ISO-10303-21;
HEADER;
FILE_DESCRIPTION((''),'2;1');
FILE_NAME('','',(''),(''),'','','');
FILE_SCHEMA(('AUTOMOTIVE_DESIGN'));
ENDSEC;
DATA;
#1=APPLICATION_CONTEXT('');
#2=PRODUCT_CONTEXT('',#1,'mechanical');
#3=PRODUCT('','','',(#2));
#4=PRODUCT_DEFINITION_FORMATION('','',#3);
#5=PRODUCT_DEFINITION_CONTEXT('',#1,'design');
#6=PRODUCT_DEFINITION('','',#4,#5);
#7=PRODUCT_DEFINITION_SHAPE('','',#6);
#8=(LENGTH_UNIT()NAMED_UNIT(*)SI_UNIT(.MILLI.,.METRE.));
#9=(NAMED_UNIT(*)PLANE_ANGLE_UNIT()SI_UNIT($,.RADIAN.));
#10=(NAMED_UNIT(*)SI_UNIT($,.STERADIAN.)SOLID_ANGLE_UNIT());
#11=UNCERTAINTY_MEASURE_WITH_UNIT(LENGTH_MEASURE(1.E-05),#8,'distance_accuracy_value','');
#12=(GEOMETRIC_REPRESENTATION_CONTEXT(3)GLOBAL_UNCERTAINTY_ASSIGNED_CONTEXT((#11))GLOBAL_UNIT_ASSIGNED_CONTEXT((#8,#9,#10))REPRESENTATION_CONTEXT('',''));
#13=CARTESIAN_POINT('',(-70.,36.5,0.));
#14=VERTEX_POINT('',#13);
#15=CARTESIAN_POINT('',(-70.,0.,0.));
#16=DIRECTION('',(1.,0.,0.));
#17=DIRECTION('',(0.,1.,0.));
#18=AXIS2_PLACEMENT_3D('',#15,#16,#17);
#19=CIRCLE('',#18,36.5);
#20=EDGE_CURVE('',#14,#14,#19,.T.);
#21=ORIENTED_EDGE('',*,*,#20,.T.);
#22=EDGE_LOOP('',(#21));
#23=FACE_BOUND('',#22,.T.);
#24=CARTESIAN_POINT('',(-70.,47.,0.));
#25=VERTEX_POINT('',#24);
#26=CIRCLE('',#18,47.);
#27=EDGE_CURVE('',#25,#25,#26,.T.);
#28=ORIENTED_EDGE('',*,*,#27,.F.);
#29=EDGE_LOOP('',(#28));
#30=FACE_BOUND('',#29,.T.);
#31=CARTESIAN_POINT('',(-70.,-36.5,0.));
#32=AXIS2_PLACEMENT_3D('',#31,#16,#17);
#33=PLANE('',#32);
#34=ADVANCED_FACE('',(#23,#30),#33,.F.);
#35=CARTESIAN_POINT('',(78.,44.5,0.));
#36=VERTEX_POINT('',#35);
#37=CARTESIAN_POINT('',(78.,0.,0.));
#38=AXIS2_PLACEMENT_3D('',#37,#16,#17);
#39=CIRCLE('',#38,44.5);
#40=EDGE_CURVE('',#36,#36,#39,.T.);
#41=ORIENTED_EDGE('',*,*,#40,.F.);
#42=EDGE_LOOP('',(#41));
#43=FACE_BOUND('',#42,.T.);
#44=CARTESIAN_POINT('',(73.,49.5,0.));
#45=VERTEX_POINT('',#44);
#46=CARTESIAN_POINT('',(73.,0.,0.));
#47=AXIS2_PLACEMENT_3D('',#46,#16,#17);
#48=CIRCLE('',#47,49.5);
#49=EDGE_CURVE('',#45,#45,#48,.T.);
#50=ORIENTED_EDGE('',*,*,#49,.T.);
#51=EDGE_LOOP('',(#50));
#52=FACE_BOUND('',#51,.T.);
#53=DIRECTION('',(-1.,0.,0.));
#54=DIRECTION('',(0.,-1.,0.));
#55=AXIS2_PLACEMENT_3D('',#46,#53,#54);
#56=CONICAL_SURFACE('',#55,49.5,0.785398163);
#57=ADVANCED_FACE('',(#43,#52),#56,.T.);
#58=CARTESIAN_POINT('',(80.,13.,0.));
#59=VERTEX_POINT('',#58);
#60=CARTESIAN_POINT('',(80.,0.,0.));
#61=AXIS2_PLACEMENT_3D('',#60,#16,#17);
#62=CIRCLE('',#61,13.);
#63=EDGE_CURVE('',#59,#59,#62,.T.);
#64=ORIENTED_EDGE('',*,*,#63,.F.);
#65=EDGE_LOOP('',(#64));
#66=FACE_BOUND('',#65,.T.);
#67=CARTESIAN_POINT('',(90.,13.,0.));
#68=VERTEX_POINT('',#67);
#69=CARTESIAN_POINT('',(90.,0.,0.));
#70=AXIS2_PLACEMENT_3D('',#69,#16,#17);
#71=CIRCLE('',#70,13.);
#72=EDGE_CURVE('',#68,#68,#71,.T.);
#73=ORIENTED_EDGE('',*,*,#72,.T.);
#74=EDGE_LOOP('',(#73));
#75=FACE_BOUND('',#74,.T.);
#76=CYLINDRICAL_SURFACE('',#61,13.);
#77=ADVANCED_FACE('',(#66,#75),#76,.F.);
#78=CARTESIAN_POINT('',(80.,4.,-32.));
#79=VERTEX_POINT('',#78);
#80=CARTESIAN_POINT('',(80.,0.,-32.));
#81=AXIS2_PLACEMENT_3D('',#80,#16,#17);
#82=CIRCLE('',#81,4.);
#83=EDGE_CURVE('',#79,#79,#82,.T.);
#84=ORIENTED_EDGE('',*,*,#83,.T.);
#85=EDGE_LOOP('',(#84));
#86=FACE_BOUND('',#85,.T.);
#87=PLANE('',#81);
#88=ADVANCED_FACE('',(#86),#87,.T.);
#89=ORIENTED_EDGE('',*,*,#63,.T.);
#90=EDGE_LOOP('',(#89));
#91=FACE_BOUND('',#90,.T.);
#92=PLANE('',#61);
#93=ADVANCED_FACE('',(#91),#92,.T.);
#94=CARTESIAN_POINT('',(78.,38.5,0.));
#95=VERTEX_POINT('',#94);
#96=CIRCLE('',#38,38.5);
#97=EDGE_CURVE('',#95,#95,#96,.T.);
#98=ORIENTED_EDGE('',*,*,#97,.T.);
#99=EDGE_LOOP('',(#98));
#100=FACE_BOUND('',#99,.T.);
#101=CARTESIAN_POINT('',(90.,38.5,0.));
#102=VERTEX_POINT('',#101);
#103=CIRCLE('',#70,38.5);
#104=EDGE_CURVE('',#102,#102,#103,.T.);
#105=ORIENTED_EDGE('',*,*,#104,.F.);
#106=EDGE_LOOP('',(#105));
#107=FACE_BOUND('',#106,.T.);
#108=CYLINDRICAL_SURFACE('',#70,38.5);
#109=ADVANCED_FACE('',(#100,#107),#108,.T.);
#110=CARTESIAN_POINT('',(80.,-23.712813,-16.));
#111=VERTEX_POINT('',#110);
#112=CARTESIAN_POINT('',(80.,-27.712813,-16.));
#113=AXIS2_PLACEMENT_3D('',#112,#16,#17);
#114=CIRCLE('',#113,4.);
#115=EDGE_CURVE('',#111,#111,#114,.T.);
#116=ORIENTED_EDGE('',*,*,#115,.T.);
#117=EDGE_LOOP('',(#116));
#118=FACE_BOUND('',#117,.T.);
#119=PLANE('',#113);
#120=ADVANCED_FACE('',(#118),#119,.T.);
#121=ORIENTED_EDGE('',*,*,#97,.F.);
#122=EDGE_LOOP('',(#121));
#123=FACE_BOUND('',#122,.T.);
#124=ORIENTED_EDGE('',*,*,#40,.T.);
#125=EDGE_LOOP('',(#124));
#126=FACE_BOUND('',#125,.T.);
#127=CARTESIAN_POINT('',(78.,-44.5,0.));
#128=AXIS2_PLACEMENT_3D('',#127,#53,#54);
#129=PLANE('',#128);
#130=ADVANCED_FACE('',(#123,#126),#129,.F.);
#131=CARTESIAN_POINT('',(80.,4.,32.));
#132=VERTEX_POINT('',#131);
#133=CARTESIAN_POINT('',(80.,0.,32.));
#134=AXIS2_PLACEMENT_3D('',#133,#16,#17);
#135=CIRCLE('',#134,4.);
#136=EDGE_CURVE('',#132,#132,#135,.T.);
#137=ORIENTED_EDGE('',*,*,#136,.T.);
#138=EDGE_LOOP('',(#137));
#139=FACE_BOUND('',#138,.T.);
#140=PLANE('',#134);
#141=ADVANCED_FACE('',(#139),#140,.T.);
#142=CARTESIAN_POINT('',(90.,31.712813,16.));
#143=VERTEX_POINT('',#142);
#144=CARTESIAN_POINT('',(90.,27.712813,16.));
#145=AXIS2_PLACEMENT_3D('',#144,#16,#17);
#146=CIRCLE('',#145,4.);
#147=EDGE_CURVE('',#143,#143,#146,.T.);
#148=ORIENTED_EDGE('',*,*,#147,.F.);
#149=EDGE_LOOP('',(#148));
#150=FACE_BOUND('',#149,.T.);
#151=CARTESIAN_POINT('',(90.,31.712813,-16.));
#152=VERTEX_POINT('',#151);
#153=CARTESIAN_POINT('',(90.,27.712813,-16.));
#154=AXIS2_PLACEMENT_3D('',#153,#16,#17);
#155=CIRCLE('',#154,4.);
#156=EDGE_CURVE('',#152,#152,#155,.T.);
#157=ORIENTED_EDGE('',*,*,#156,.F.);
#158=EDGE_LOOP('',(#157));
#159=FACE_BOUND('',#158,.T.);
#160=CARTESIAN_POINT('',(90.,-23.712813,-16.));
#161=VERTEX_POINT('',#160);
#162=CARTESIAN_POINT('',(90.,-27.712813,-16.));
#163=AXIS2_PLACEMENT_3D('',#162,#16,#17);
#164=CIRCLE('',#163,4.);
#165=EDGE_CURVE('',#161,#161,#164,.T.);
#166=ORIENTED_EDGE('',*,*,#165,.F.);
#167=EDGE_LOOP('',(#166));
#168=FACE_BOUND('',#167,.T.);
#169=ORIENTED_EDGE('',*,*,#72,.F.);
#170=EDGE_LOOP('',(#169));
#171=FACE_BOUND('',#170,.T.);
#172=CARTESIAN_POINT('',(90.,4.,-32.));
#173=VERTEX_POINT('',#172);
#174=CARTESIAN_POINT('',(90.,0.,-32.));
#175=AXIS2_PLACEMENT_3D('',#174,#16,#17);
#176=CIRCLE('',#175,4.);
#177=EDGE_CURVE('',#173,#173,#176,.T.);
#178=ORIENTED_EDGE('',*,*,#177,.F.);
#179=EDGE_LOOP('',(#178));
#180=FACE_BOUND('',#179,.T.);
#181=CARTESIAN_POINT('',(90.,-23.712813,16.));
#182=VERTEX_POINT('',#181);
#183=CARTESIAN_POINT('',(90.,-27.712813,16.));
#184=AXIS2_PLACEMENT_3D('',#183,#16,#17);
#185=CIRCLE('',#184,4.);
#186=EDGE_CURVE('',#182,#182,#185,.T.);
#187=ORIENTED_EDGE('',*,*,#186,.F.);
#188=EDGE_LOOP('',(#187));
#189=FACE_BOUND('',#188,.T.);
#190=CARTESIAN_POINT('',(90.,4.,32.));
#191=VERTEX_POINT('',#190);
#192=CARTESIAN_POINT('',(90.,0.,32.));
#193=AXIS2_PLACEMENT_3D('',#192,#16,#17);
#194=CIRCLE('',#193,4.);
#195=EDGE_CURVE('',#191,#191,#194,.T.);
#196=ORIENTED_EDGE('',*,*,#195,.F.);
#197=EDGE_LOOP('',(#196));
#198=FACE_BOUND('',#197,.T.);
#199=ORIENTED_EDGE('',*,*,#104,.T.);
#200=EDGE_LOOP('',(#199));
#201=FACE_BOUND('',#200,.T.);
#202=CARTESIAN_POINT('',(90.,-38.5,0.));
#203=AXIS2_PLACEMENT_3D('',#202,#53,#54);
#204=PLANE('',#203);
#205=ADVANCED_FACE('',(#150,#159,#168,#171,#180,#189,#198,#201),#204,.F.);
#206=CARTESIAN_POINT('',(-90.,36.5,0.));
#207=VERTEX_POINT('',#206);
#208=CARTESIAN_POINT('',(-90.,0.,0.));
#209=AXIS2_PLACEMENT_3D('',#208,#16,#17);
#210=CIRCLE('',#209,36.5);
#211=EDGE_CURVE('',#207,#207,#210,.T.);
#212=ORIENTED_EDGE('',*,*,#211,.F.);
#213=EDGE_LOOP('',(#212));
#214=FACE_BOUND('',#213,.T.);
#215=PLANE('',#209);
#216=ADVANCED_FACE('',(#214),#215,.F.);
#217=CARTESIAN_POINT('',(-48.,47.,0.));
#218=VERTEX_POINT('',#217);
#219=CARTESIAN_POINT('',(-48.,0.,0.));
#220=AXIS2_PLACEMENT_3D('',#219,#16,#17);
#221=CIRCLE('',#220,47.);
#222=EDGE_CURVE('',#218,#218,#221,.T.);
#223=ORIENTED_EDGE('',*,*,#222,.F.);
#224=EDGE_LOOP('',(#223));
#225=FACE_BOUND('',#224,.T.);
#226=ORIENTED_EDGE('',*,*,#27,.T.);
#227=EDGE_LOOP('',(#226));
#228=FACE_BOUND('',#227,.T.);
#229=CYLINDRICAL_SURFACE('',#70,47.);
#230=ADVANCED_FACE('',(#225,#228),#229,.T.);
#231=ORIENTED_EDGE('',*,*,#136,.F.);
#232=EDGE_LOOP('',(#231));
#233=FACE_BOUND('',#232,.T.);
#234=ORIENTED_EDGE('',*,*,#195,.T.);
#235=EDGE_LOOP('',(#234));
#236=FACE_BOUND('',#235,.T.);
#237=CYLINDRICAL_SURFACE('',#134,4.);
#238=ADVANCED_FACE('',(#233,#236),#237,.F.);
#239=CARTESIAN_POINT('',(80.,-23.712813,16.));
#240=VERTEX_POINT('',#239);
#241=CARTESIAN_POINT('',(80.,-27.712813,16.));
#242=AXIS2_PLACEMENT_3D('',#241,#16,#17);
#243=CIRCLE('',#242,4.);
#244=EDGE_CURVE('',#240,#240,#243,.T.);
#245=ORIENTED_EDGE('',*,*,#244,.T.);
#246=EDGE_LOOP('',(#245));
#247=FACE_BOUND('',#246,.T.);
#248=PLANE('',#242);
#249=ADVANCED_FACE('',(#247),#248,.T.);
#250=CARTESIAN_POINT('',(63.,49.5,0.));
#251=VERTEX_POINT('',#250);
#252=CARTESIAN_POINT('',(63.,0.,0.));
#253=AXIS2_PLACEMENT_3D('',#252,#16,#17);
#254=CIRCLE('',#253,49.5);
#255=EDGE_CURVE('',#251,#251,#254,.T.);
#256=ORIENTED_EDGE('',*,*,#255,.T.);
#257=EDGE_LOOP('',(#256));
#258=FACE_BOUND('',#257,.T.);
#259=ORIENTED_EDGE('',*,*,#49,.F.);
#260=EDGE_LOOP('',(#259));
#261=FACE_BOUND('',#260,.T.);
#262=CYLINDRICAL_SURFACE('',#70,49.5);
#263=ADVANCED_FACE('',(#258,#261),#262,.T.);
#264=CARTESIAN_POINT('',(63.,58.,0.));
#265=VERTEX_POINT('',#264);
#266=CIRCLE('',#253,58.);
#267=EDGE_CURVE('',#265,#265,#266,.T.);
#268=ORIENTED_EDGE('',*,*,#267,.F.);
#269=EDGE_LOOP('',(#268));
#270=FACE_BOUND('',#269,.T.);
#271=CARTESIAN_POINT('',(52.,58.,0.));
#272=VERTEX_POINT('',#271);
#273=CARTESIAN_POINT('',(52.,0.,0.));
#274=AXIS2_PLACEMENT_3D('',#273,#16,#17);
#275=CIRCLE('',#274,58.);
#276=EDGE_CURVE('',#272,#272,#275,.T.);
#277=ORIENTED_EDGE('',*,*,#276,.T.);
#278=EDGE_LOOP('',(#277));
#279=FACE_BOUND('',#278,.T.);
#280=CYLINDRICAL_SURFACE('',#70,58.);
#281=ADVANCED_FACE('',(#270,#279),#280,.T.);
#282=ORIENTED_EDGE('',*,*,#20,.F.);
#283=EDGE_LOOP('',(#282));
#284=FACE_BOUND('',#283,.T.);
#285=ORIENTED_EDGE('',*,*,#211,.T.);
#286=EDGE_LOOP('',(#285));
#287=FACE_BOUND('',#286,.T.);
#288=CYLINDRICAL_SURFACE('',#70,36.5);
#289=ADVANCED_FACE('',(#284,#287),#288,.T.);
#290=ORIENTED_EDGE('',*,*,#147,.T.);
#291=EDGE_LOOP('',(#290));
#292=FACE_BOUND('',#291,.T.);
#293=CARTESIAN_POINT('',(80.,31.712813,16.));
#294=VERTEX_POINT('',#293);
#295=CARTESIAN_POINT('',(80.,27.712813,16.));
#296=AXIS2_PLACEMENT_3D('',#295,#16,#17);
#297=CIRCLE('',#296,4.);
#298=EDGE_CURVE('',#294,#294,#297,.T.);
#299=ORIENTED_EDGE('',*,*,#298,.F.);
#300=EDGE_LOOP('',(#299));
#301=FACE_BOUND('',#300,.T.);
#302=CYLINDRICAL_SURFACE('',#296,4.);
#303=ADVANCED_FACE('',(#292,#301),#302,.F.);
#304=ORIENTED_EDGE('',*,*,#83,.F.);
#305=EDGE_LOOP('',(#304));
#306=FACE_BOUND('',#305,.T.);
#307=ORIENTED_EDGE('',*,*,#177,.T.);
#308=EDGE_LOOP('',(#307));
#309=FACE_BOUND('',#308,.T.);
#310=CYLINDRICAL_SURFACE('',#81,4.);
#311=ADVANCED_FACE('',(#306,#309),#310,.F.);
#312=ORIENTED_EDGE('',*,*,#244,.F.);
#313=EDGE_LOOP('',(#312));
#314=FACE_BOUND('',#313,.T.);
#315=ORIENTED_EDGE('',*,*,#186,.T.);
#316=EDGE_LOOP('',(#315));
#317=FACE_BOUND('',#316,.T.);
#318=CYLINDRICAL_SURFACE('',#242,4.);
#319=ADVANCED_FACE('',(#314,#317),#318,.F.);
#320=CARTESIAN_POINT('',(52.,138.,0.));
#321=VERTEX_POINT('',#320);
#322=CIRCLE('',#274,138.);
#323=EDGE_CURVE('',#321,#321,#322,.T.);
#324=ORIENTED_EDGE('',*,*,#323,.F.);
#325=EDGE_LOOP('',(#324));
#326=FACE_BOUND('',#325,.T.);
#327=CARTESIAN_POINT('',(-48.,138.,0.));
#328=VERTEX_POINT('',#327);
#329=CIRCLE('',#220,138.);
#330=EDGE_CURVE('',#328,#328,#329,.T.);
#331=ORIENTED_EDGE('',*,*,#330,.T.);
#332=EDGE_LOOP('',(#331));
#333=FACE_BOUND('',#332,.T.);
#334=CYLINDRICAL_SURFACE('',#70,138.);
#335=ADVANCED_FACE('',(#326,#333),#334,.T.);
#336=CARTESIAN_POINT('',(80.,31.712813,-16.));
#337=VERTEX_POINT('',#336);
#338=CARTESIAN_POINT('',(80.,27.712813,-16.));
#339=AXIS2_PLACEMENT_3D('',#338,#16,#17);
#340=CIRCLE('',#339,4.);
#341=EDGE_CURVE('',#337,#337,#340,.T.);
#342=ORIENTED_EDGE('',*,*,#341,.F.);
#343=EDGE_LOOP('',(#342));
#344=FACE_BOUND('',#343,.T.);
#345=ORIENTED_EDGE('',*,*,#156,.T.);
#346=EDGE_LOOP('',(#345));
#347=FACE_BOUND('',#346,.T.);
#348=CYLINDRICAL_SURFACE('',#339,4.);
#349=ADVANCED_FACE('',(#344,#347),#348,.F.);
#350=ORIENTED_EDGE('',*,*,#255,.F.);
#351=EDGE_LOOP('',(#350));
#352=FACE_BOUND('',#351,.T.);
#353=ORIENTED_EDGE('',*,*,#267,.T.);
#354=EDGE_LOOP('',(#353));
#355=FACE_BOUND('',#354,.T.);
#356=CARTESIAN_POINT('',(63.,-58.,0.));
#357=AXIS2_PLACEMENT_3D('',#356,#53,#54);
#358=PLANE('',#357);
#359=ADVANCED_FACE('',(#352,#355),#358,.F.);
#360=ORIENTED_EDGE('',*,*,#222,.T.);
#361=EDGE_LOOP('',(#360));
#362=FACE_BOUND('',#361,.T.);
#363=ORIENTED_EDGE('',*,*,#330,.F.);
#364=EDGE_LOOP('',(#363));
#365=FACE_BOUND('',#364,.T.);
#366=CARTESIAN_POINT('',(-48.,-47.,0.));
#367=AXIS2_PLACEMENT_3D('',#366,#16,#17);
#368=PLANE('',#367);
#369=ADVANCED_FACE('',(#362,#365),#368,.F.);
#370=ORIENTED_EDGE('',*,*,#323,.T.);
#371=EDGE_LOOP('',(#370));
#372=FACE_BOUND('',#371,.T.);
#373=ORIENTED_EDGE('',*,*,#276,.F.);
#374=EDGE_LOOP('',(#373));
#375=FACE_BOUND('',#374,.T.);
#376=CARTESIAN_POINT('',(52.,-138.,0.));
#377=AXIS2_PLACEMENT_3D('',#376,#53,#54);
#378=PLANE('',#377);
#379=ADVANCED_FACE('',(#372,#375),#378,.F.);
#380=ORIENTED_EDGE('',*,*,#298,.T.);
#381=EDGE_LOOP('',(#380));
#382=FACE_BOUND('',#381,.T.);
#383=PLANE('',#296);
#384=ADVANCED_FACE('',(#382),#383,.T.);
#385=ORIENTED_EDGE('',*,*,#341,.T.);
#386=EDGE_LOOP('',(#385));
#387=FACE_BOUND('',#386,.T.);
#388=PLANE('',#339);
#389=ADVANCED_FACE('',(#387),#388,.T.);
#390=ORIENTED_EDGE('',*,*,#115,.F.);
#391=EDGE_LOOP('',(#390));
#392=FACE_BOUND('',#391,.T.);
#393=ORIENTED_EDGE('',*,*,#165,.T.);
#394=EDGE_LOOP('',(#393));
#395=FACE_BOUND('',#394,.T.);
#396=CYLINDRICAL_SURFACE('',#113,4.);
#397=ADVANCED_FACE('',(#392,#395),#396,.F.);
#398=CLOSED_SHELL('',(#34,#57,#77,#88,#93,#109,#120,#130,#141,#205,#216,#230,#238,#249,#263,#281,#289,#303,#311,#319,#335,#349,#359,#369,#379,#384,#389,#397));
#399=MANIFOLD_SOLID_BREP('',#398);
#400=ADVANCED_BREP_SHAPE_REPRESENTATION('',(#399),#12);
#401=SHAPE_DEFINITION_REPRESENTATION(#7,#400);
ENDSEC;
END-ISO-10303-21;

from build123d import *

# Parameters (mm, degrees)
SZKIC4_R                   = 4
WYTNIJ_WYCI_GNI_CIE1_DEPTH = 10
SZKIC5_R                   = 13
WYTNIJ_WYCI_GNI_CIE2_DEPTH = 10


with BuildPart() as part:
    # Szkic1 → Obrót1 (revolve)
    with BuildSketch(Plane.XY):
        Polygon((-90, -36.5), (-70, -36.5), (-70, -47), (-48, -47), (-48, -138), (52, -138), (52, -58), (63, -58), (63, -49.5), (73, -49.5), (78, -44.5), (78, -38.5), (90, -38.5), (90, 0), (-90, 0), align=None)
    revolve(axis=Axis((90, 0, 0), (-1, 0, 0)))

    # Szkic4 → Wytnij-wyciągnięcie1 (cut)
    with BuildSketch(Plane(origin=(90, 0, 0), x_dir=(0, 0, -1), z_dir=(1, 0, 0))):
        with Locations((16, 27.712812921)):
            Circle(SZKIC4_R)
        with Locations((32, 0)):
            Circle(SZKIC4_R)
        with Locations((16, -27.712812921)):
            Circle(SZKIC4_R)
        with Locations((-16, -27.712812921)):
            Circle(SZKIC4_R)
        with Locations((-32, 0)):
            Circle(SZKIC4_R)
        with Locations((-16, 27.712812921)):
            Circle(SZKIC4_R)
    extrude(amount=-WYTNIJ_WYCI_GNI_CIE1_DEPTH, mode=Mode.SUBTRACT)

    # Szkic5 → Wytnij-wyciągnięcie2 (cut)
    with BuildSketch(Plane(origin=(90, 0, 0), x_dir=(0, 0, -1), z_dir=(1, 0, 0))):
        Circle(SZKIC5_R)
    extrude(amount=-WYTNIJ_WYCI_GNI_CIE2_DEPTH, mode=Mode.SUBTRACT)


solid = part.part
